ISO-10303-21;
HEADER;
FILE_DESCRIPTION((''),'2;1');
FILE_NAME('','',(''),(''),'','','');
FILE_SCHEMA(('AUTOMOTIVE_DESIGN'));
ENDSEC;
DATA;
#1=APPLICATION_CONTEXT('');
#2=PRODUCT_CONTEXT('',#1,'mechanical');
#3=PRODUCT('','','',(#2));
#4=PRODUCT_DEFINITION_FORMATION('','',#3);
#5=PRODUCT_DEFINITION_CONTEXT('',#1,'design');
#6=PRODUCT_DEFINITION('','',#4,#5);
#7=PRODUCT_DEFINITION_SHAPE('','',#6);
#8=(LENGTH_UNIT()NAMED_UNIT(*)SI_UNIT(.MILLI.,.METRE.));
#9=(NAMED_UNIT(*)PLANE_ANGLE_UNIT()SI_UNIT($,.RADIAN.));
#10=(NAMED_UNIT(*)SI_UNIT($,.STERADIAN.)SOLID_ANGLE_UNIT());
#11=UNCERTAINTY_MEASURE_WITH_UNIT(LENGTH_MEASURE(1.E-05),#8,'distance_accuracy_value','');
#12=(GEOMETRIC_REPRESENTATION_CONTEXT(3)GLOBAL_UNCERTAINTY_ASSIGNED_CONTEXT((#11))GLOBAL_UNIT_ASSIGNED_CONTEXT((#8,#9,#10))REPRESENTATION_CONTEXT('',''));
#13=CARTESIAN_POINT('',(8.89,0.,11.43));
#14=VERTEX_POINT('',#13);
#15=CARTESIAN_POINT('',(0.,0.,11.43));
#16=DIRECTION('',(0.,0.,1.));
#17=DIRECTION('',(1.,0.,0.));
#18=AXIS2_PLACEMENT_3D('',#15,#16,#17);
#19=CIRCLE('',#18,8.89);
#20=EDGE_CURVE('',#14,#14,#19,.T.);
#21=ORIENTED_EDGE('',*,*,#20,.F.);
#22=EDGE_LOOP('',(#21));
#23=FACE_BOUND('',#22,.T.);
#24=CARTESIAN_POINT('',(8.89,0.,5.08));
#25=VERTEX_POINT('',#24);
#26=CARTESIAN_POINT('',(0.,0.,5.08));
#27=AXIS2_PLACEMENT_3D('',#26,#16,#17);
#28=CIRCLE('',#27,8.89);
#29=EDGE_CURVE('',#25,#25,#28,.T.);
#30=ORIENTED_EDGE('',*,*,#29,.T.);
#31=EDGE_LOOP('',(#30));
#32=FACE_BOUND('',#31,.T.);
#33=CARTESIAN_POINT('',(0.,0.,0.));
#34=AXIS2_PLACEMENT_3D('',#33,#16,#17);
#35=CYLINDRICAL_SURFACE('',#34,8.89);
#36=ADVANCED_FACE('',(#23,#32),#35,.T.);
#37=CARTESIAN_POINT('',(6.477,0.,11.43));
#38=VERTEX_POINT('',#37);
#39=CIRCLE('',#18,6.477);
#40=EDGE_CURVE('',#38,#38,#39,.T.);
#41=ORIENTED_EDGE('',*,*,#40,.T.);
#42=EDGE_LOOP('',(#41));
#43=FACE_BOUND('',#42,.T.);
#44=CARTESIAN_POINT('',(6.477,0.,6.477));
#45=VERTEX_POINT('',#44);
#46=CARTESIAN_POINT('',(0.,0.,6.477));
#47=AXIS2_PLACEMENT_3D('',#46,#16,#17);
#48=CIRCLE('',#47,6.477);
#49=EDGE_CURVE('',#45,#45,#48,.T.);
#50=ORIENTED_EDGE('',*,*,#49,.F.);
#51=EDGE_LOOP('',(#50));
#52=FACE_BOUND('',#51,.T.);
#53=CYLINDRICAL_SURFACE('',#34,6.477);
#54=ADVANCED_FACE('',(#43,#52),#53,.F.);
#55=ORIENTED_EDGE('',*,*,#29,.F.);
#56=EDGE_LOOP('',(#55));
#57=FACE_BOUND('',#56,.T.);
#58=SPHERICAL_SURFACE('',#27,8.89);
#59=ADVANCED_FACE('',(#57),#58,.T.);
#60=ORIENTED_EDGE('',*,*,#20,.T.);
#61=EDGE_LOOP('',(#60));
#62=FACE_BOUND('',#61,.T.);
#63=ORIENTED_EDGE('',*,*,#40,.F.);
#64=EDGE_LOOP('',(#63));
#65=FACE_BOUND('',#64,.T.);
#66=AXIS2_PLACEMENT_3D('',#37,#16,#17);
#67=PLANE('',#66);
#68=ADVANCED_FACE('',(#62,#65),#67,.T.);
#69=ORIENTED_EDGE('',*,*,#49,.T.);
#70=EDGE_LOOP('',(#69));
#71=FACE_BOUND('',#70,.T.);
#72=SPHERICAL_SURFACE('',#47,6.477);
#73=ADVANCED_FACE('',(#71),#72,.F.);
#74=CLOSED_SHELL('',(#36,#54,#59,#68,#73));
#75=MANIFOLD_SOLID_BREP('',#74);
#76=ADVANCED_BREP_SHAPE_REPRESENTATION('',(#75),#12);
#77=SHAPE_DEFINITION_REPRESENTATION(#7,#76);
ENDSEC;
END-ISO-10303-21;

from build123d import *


with BuildPart() as part:
    # Sketch1 → Revolve1 (revolve)
    with BuildSketch(Plane(origin=(0, 0, 0), x_dir=(1, 0, 0), z_dir=(0, 1, 0))):
        with BuildLine():
            Line((0, 0), (0, 3.81))
            ThreePointArc((0, 3.81), (6.286179285, 1.206179285), (8.89, -5.08))
            Line((8.89, -5.08), (8.89, -11.43))
            Line((8.89, -11.43), (6.477, -11.43))
            Line((6.477, -11.43), (6.477, -6.477))
            ThreePointArc((6.477, -6.477), (4.579930622, -1.897069378), (0, 0))
        make_face()
    revolve(axis=Axis((0, 0, 0), (0, 0, -1)))


solid = part.part
